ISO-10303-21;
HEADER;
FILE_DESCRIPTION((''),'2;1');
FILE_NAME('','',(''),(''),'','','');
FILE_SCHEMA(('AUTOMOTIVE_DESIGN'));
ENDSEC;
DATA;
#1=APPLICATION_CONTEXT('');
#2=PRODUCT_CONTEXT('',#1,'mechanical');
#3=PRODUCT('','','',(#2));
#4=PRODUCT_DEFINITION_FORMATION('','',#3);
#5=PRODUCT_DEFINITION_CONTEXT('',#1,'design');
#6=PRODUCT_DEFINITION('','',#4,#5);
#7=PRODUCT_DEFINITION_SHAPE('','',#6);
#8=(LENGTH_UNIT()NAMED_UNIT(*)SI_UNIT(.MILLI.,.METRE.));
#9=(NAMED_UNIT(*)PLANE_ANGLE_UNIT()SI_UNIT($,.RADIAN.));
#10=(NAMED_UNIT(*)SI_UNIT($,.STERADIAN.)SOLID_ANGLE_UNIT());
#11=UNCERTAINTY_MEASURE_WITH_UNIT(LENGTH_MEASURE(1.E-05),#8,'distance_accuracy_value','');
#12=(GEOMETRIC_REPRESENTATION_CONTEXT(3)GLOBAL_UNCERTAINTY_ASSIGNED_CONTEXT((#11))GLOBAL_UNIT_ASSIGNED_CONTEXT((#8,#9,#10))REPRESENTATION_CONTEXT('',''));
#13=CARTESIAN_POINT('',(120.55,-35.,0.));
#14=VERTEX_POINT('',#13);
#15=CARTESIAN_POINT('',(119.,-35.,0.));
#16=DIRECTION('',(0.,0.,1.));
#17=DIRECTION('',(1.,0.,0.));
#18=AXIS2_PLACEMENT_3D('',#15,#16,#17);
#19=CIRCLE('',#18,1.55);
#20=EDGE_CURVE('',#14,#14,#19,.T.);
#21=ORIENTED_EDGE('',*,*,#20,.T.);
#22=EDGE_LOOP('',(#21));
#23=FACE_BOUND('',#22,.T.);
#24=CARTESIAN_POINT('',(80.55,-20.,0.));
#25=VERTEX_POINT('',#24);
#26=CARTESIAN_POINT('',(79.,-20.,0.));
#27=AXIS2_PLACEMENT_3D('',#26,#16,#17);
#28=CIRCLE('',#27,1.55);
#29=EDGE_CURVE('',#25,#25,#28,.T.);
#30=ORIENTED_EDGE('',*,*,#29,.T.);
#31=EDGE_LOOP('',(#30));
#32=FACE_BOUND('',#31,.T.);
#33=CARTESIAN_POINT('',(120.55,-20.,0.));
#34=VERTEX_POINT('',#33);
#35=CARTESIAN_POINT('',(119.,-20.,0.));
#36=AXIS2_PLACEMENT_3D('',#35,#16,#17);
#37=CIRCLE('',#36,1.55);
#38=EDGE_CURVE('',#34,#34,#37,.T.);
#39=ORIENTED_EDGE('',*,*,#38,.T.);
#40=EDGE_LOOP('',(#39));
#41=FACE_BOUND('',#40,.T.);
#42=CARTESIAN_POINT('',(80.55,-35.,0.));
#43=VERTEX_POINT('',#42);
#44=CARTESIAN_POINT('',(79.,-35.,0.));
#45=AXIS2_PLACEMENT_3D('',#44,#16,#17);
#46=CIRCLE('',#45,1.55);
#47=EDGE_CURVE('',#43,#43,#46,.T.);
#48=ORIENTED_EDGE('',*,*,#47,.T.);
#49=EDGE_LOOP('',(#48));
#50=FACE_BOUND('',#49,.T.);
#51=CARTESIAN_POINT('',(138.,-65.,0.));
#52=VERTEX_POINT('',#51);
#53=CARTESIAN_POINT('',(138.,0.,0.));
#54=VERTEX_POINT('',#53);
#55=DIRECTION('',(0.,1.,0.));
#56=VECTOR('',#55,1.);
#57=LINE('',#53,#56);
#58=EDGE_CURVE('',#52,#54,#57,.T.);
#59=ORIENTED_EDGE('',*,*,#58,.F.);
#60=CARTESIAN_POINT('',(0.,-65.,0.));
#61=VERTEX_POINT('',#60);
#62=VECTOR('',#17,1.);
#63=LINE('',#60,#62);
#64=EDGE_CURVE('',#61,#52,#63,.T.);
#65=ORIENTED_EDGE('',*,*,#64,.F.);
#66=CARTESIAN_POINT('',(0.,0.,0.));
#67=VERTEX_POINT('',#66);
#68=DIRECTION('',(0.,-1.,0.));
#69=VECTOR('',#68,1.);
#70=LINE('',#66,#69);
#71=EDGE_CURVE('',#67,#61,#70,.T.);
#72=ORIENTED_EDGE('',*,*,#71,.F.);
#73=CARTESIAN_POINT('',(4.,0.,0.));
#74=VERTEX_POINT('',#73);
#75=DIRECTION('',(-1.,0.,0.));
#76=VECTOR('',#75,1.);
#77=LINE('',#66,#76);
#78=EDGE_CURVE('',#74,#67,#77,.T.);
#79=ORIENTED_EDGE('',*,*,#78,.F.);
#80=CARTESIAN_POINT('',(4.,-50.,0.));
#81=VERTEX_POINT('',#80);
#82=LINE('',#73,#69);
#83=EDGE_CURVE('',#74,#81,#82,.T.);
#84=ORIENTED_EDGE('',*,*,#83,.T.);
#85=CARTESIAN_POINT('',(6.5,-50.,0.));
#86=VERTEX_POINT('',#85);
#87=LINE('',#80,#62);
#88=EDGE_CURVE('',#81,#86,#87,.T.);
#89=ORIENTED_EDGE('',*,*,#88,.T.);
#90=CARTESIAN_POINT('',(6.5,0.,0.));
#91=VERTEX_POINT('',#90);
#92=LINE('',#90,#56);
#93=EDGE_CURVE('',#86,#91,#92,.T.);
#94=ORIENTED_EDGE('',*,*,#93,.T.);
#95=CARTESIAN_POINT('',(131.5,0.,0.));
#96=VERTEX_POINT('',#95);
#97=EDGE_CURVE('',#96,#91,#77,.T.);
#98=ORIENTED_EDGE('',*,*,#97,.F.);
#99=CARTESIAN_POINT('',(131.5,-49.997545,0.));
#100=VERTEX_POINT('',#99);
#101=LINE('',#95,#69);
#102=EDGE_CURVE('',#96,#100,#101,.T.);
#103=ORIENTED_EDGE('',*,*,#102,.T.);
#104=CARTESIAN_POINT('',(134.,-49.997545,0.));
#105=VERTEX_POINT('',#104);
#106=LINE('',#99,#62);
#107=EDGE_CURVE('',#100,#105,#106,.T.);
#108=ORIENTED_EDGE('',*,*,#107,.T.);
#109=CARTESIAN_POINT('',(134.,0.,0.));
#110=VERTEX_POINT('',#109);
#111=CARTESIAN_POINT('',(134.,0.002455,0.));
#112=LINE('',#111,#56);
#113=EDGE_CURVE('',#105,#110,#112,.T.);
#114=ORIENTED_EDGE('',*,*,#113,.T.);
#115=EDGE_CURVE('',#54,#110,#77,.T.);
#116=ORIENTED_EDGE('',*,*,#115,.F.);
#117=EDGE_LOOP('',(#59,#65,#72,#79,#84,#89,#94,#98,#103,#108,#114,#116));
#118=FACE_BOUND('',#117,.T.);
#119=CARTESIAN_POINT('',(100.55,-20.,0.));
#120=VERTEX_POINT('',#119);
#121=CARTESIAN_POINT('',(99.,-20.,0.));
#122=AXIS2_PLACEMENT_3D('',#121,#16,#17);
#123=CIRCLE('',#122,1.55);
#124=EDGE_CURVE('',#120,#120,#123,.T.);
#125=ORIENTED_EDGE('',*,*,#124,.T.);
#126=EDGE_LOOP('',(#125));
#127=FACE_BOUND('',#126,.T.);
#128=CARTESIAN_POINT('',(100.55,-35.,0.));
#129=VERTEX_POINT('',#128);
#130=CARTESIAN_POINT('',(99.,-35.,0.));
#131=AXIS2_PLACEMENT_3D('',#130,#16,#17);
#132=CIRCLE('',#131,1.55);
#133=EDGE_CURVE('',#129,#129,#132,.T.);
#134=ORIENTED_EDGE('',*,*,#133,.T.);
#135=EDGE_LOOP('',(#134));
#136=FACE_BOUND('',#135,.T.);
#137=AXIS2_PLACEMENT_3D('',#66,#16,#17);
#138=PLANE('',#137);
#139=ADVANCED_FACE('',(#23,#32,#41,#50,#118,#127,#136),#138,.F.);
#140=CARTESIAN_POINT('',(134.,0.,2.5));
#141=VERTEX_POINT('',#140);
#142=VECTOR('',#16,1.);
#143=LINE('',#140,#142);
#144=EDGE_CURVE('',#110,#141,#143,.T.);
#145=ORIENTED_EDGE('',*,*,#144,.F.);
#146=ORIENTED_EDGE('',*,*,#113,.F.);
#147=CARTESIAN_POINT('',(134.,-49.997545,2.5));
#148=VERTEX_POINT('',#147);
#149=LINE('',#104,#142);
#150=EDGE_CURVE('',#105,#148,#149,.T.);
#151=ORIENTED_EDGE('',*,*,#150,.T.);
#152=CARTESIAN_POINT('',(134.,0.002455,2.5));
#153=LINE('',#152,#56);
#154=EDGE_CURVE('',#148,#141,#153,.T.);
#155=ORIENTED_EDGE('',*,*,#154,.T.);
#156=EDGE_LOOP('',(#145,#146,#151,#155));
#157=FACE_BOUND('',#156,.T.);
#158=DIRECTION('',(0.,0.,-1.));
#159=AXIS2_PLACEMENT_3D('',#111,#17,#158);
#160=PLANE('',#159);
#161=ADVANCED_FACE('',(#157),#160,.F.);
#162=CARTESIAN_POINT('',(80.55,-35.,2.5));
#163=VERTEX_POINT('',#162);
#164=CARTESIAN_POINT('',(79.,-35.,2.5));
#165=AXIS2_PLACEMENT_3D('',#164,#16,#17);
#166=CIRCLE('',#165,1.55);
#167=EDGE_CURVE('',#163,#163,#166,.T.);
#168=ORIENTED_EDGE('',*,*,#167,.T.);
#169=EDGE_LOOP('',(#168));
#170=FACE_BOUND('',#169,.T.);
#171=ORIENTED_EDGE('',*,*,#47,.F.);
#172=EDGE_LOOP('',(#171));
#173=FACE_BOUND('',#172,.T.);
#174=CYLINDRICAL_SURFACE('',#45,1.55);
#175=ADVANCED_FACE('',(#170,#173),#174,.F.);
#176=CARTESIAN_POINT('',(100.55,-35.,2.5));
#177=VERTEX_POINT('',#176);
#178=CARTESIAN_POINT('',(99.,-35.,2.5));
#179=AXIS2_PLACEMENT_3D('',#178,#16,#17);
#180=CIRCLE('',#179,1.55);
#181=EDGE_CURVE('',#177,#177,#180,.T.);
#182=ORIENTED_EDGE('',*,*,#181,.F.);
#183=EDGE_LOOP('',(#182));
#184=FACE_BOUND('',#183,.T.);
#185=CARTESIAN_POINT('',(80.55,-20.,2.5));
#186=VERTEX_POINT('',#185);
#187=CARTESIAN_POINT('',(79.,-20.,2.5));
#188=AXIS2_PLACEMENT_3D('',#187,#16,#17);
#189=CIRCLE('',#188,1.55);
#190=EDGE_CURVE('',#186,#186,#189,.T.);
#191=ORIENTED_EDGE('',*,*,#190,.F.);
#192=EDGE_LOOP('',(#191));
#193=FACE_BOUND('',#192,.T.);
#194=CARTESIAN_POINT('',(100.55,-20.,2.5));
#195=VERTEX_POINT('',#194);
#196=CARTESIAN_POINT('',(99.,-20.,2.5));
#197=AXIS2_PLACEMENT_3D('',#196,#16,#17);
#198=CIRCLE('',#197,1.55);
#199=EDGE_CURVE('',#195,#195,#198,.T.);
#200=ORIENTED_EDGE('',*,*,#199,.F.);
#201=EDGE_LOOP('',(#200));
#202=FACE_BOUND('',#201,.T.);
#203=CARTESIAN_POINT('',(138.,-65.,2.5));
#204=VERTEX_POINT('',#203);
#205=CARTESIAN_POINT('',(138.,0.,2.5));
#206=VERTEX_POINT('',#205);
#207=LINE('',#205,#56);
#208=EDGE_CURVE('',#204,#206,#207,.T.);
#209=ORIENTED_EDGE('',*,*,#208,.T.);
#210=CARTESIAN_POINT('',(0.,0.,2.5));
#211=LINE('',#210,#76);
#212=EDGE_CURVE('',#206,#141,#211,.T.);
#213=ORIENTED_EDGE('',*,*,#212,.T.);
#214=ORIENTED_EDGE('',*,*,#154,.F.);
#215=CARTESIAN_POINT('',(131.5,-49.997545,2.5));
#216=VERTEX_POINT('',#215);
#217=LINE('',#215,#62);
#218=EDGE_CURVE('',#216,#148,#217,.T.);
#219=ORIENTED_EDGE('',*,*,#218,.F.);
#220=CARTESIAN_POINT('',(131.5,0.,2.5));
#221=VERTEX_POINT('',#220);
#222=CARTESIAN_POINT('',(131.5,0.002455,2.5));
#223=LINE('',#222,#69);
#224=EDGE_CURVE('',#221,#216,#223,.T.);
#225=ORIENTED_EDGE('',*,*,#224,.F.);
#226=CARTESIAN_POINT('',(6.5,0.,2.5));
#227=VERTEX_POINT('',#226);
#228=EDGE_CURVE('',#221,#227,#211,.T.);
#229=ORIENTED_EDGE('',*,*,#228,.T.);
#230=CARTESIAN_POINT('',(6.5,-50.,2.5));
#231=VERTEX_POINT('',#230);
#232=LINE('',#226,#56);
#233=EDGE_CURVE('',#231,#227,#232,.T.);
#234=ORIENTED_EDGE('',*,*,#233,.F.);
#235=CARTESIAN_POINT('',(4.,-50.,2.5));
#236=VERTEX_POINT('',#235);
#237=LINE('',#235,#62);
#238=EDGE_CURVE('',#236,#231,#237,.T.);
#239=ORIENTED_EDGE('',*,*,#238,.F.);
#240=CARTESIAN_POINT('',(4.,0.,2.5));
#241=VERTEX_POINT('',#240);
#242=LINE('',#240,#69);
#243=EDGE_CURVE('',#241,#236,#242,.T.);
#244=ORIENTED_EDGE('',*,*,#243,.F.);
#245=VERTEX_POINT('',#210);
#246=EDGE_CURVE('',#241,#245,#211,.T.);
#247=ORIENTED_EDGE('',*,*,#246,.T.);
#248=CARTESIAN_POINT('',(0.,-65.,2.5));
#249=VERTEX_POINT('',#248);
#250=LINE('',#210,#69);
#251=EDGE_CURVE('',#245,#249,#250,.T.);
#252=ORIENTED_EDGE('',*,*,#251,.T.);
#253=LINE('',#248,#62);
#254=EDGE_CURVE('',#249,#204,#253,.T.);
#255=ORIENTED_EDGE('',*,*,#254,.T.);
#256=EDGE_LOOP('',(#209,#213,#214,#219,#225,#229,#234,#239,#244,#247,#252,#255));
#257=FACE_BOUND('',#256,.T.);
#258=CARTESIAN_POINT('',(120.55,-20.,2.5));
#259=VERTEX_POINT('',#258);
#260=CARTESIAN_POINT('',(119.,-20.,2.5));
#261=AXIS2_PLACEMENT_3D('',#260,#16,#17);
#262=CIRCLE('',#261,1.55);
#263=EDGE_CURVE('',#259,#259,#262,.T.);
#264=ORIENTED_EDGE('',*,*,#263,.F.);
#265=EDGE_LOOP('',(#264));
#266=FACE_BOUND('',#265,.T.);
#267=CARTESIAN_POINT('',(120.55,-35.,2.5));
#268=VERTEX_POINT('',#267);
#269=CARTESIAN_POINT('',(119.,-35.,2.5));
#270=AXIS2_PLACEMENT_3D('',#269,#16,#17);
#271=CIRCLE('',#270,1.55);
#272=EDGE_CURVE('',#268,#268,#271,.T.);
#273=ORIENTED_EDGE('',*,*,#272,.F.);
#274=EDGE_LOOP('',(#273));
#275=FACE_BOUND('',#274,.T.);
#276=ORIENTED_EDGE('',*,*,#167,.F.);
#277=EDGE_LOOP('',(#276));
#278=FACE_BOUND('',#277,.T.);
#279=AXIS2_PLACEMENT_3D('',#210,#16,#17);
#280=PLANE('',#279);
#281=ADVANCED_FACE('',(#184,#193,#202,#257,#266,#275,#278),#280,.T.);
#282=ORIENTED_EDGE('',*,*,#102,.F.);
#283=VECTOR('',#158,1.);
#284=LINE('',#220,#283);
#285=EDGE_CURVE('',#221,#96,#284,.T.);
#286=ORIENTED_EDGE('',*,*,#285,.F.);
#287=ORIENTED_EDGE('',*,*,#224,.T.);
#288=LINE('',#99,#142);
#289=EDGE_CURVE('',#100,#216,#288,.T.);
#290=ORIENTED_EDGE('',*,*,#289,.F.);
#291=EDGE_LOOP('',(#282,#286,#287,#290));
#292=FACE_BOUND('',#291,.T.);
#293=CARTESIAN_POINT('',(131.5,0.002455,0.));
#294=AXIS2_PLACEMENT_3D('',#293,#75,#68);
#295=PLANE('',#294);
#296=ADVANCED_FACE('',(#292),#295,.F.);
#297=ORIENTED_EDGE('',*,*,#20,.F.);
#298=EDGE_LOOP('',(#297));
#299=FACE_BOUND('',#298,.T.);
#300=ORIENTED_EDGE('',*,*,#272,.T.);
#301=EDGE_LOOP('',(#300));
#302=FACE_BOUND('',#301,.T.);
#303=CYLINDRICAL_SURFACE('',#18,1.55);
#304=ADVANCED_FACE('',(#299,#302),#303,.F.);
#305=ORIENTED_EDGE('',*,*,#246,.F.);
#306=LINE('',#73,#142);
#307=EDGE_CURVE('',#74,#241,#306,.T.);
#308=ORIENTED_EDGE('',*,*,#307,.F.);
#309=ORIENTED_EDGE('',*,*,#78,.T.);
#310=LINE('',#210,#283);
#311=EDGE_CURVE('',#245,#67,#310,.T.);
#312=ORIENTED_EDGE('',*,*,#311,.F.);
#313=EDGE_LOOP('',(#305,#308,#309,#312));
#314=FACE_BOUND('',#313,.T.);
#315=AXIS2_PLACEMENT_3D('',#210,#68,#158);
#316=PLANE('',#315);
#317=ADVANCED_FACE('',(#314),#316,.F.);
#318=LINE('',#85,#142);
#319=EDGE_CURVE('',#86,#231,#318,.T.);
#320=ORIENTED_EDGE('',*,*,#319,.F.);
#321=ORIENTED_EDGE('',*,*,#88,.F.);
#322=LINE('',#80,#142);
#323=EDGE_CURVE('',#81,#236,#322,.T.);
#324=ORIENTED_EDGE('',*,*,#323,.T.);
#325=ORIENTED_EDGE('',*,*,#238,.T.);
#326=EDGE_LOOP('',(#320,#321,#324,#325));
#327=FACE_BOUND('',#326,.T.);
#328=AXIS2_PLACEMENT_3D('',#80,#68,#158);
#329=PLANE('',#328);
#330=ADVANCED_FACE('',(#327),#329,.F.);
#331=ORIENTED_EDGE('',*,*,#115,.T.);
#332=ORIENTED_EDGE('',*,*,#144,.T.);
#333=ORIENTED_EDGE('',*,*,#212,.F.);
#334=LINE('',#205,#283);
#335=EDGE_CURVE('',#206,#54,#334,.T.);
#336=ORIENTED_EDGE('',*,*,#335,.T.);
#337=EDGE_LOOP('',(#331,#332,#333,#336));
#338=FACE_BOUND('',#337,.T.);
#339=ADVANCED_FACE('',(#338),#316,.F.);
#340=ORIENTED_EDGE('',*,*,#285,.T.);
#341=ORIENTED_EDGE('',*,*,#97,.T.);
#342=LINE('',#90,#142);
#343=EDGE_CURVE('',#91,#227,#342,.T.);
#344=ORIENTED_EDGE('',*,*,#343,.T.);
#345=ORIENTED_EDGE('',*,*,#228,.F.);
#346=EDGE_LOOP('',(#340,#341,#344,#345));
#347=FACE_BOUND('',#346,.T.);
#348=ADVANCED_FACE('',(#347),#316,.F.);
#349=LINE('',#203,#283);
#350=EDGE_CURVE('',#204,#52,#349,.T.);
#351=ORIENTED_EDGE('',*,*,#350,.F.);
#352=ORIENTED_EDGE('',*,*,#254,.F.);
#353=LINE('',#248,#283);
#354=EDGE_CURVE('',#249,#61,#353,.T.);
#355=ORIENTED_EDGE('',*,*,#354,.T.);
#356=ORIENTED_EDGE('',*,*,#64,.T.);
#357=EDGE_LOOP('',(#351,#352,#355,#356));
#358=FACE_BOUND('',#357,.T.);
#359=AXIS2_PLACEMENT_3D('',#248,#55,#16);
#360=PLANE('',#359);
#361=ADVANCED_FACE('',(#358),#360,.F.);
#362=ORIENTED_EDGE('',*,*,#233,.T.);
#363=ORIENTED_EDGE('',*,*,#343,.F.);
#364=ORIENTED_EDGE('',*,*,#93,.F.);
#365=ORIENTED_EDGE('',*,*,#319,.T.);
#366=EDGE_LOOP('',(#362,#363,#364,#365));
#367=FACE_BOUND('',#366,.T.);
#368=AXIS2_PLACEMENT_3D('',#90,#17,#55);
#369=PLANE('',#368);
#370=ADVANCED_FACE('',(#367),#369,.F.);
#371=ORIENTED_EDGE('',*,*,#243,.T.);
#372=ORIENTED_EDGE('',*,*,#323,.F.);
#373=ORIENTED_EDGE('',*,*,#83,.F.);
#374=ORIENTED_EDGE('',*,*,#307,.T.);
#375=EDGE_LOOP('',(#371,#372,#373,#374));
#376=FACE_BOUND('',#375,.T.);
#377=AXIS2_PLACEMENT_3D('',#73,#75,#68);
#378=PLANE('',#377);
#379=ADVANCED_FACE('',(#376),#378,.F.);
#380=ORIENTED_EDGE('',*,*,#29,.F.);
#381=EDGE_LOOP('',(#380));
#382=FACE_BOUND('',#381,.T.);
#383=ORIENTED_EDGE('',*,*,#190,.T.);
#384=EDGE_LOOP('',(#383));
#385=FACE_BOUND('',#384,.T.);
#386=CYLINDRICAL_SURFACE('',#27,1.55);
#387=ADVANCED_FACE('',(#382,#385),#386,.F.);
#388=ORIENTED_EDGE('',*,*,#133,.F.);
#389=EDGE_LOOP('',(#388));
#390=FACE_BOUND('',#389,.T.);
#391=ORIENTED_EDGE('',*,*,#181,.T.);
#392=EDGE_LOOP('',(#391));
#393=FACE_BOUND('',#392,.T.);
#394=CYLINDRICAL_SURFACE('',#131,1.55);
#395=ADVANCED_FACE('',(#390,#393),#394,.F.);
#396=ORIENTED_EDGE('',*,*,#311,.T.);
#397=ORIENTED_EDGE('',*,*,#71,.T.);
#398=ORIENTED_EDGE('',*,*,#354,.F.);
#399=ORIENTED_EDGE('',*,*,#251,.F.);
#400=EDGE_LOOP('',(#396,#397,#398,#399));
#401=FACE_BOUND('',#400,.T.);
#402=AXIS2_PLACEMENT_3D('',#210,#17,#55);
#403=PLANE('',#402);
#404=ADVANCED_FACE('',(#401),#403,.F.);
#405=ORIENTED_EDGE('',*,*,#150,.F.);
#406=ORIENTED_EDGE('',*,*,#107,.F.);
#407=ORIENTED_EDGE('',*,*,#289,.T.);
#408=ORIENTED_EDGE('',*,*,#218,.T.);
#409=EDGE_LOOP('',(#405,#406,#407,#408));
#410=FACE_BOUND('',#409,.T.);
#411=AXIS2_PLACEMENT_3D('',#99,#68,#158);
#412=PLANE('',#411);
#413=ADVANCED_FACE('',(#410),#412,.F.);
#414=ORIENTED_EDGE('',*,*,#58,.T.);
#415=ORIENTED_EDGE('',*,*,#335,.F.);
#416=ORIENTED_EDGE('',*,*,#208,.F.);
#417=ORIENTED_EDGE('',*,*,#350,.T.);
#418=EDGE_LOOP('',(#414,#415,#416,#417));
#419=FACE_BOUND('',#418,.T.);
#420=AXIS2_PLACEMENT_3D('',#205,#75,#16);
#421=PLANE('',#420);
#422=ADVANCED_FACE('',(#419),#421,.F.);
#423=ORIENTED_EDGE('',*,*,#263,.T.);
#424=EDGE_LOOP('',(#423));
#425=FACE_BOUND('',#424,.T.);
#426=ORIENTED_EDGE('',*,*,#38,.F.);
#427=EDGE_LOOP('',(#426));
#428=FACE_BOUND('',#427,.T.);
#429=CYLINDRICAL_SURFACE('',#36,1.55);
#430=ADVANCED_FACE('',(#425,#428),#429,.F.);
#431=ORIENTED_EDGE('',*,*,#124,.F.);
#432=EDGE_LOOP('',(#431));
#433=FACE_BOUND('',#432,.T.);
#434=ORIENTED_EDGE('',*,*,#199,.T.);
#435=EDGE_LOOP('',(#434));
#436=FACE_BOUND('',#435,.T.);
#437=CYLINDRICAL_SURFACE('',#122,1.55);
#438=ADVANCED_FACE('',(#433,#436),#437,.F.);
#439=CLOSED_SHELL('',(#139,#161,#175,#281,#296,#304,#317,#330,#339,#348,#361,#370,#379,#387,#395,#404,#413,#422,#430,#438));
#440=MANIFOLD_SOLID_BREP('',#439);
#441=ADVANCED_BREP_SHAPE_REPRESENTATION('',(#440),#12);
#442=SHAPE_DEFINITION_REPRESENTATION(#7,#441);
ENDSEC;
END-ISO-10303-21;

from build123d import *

# Parameters (mm, degrees)
CROQUIS1_W              = 138
CROQUIS1_H              = 65
SALIENTE_EXTRUIR1_DEPTH = 2.5
CROQUIS2_W              = 2.5
CROQUIS2_H              = 50
CORTAR_EXTRUIR1_DEPTH   = 2.5
CROQUIS3_R              = 1.55
CORTAR_EXTRUIR2_DEPTH   = 153.562282364


with BuildPart() as part:
    # Croquis1 → Saliente-Extruir1 (new body)
    with BuildSketch(Plane.XY):
        with Locations((69, -32.5)):
            Rectangle(CROQUIS1_W, CROQUIS1_H)
    extrude(amount=SALIENTE_EXTRUIR1_DEPTH)

    # Croquis2 → Cortar-Extruir1 (cut)
    with BuildSketch(Plane.XY.offset(2.5)):
        with Locations((5.25, -25)):
            Rectangle(CROQUIS2_W, CROQUIS2_H)
        with Locations((132.75, -24.997545264)):
            Rectangle(CROQUIS2_W, CROQUIS2_H)
    extrude(amount=-CORTAR_EXTRUIR1_DEPTH, mode=Mode.SUBTRACT)

    # Croquis3 → Cortar-Extruir2 (cut, through all)
    with BuildSketch(Plane.XY.offset(2.5)):
        with Locations((119, -35)):
            Circle(CROQUIS3_R)
        with Locations((119, -20)):
            Circle(CROQUIS3_R)
        with Locations((99, -35)):
            Circle(CROQUIS3_R)
        with Locations((99, -20)):
            Circle(CROQUIS3_R)
        with Locations((79, -35)):
            Circle(CROQUIS3_R)
        with Locations((79, -20)):
            Circle(CROQUIS3_R)
    extrude(amount=-CORTAR_EXTRUIR2_DEPTH, mode=Mode.SUBTRACT)


solid = part.part
